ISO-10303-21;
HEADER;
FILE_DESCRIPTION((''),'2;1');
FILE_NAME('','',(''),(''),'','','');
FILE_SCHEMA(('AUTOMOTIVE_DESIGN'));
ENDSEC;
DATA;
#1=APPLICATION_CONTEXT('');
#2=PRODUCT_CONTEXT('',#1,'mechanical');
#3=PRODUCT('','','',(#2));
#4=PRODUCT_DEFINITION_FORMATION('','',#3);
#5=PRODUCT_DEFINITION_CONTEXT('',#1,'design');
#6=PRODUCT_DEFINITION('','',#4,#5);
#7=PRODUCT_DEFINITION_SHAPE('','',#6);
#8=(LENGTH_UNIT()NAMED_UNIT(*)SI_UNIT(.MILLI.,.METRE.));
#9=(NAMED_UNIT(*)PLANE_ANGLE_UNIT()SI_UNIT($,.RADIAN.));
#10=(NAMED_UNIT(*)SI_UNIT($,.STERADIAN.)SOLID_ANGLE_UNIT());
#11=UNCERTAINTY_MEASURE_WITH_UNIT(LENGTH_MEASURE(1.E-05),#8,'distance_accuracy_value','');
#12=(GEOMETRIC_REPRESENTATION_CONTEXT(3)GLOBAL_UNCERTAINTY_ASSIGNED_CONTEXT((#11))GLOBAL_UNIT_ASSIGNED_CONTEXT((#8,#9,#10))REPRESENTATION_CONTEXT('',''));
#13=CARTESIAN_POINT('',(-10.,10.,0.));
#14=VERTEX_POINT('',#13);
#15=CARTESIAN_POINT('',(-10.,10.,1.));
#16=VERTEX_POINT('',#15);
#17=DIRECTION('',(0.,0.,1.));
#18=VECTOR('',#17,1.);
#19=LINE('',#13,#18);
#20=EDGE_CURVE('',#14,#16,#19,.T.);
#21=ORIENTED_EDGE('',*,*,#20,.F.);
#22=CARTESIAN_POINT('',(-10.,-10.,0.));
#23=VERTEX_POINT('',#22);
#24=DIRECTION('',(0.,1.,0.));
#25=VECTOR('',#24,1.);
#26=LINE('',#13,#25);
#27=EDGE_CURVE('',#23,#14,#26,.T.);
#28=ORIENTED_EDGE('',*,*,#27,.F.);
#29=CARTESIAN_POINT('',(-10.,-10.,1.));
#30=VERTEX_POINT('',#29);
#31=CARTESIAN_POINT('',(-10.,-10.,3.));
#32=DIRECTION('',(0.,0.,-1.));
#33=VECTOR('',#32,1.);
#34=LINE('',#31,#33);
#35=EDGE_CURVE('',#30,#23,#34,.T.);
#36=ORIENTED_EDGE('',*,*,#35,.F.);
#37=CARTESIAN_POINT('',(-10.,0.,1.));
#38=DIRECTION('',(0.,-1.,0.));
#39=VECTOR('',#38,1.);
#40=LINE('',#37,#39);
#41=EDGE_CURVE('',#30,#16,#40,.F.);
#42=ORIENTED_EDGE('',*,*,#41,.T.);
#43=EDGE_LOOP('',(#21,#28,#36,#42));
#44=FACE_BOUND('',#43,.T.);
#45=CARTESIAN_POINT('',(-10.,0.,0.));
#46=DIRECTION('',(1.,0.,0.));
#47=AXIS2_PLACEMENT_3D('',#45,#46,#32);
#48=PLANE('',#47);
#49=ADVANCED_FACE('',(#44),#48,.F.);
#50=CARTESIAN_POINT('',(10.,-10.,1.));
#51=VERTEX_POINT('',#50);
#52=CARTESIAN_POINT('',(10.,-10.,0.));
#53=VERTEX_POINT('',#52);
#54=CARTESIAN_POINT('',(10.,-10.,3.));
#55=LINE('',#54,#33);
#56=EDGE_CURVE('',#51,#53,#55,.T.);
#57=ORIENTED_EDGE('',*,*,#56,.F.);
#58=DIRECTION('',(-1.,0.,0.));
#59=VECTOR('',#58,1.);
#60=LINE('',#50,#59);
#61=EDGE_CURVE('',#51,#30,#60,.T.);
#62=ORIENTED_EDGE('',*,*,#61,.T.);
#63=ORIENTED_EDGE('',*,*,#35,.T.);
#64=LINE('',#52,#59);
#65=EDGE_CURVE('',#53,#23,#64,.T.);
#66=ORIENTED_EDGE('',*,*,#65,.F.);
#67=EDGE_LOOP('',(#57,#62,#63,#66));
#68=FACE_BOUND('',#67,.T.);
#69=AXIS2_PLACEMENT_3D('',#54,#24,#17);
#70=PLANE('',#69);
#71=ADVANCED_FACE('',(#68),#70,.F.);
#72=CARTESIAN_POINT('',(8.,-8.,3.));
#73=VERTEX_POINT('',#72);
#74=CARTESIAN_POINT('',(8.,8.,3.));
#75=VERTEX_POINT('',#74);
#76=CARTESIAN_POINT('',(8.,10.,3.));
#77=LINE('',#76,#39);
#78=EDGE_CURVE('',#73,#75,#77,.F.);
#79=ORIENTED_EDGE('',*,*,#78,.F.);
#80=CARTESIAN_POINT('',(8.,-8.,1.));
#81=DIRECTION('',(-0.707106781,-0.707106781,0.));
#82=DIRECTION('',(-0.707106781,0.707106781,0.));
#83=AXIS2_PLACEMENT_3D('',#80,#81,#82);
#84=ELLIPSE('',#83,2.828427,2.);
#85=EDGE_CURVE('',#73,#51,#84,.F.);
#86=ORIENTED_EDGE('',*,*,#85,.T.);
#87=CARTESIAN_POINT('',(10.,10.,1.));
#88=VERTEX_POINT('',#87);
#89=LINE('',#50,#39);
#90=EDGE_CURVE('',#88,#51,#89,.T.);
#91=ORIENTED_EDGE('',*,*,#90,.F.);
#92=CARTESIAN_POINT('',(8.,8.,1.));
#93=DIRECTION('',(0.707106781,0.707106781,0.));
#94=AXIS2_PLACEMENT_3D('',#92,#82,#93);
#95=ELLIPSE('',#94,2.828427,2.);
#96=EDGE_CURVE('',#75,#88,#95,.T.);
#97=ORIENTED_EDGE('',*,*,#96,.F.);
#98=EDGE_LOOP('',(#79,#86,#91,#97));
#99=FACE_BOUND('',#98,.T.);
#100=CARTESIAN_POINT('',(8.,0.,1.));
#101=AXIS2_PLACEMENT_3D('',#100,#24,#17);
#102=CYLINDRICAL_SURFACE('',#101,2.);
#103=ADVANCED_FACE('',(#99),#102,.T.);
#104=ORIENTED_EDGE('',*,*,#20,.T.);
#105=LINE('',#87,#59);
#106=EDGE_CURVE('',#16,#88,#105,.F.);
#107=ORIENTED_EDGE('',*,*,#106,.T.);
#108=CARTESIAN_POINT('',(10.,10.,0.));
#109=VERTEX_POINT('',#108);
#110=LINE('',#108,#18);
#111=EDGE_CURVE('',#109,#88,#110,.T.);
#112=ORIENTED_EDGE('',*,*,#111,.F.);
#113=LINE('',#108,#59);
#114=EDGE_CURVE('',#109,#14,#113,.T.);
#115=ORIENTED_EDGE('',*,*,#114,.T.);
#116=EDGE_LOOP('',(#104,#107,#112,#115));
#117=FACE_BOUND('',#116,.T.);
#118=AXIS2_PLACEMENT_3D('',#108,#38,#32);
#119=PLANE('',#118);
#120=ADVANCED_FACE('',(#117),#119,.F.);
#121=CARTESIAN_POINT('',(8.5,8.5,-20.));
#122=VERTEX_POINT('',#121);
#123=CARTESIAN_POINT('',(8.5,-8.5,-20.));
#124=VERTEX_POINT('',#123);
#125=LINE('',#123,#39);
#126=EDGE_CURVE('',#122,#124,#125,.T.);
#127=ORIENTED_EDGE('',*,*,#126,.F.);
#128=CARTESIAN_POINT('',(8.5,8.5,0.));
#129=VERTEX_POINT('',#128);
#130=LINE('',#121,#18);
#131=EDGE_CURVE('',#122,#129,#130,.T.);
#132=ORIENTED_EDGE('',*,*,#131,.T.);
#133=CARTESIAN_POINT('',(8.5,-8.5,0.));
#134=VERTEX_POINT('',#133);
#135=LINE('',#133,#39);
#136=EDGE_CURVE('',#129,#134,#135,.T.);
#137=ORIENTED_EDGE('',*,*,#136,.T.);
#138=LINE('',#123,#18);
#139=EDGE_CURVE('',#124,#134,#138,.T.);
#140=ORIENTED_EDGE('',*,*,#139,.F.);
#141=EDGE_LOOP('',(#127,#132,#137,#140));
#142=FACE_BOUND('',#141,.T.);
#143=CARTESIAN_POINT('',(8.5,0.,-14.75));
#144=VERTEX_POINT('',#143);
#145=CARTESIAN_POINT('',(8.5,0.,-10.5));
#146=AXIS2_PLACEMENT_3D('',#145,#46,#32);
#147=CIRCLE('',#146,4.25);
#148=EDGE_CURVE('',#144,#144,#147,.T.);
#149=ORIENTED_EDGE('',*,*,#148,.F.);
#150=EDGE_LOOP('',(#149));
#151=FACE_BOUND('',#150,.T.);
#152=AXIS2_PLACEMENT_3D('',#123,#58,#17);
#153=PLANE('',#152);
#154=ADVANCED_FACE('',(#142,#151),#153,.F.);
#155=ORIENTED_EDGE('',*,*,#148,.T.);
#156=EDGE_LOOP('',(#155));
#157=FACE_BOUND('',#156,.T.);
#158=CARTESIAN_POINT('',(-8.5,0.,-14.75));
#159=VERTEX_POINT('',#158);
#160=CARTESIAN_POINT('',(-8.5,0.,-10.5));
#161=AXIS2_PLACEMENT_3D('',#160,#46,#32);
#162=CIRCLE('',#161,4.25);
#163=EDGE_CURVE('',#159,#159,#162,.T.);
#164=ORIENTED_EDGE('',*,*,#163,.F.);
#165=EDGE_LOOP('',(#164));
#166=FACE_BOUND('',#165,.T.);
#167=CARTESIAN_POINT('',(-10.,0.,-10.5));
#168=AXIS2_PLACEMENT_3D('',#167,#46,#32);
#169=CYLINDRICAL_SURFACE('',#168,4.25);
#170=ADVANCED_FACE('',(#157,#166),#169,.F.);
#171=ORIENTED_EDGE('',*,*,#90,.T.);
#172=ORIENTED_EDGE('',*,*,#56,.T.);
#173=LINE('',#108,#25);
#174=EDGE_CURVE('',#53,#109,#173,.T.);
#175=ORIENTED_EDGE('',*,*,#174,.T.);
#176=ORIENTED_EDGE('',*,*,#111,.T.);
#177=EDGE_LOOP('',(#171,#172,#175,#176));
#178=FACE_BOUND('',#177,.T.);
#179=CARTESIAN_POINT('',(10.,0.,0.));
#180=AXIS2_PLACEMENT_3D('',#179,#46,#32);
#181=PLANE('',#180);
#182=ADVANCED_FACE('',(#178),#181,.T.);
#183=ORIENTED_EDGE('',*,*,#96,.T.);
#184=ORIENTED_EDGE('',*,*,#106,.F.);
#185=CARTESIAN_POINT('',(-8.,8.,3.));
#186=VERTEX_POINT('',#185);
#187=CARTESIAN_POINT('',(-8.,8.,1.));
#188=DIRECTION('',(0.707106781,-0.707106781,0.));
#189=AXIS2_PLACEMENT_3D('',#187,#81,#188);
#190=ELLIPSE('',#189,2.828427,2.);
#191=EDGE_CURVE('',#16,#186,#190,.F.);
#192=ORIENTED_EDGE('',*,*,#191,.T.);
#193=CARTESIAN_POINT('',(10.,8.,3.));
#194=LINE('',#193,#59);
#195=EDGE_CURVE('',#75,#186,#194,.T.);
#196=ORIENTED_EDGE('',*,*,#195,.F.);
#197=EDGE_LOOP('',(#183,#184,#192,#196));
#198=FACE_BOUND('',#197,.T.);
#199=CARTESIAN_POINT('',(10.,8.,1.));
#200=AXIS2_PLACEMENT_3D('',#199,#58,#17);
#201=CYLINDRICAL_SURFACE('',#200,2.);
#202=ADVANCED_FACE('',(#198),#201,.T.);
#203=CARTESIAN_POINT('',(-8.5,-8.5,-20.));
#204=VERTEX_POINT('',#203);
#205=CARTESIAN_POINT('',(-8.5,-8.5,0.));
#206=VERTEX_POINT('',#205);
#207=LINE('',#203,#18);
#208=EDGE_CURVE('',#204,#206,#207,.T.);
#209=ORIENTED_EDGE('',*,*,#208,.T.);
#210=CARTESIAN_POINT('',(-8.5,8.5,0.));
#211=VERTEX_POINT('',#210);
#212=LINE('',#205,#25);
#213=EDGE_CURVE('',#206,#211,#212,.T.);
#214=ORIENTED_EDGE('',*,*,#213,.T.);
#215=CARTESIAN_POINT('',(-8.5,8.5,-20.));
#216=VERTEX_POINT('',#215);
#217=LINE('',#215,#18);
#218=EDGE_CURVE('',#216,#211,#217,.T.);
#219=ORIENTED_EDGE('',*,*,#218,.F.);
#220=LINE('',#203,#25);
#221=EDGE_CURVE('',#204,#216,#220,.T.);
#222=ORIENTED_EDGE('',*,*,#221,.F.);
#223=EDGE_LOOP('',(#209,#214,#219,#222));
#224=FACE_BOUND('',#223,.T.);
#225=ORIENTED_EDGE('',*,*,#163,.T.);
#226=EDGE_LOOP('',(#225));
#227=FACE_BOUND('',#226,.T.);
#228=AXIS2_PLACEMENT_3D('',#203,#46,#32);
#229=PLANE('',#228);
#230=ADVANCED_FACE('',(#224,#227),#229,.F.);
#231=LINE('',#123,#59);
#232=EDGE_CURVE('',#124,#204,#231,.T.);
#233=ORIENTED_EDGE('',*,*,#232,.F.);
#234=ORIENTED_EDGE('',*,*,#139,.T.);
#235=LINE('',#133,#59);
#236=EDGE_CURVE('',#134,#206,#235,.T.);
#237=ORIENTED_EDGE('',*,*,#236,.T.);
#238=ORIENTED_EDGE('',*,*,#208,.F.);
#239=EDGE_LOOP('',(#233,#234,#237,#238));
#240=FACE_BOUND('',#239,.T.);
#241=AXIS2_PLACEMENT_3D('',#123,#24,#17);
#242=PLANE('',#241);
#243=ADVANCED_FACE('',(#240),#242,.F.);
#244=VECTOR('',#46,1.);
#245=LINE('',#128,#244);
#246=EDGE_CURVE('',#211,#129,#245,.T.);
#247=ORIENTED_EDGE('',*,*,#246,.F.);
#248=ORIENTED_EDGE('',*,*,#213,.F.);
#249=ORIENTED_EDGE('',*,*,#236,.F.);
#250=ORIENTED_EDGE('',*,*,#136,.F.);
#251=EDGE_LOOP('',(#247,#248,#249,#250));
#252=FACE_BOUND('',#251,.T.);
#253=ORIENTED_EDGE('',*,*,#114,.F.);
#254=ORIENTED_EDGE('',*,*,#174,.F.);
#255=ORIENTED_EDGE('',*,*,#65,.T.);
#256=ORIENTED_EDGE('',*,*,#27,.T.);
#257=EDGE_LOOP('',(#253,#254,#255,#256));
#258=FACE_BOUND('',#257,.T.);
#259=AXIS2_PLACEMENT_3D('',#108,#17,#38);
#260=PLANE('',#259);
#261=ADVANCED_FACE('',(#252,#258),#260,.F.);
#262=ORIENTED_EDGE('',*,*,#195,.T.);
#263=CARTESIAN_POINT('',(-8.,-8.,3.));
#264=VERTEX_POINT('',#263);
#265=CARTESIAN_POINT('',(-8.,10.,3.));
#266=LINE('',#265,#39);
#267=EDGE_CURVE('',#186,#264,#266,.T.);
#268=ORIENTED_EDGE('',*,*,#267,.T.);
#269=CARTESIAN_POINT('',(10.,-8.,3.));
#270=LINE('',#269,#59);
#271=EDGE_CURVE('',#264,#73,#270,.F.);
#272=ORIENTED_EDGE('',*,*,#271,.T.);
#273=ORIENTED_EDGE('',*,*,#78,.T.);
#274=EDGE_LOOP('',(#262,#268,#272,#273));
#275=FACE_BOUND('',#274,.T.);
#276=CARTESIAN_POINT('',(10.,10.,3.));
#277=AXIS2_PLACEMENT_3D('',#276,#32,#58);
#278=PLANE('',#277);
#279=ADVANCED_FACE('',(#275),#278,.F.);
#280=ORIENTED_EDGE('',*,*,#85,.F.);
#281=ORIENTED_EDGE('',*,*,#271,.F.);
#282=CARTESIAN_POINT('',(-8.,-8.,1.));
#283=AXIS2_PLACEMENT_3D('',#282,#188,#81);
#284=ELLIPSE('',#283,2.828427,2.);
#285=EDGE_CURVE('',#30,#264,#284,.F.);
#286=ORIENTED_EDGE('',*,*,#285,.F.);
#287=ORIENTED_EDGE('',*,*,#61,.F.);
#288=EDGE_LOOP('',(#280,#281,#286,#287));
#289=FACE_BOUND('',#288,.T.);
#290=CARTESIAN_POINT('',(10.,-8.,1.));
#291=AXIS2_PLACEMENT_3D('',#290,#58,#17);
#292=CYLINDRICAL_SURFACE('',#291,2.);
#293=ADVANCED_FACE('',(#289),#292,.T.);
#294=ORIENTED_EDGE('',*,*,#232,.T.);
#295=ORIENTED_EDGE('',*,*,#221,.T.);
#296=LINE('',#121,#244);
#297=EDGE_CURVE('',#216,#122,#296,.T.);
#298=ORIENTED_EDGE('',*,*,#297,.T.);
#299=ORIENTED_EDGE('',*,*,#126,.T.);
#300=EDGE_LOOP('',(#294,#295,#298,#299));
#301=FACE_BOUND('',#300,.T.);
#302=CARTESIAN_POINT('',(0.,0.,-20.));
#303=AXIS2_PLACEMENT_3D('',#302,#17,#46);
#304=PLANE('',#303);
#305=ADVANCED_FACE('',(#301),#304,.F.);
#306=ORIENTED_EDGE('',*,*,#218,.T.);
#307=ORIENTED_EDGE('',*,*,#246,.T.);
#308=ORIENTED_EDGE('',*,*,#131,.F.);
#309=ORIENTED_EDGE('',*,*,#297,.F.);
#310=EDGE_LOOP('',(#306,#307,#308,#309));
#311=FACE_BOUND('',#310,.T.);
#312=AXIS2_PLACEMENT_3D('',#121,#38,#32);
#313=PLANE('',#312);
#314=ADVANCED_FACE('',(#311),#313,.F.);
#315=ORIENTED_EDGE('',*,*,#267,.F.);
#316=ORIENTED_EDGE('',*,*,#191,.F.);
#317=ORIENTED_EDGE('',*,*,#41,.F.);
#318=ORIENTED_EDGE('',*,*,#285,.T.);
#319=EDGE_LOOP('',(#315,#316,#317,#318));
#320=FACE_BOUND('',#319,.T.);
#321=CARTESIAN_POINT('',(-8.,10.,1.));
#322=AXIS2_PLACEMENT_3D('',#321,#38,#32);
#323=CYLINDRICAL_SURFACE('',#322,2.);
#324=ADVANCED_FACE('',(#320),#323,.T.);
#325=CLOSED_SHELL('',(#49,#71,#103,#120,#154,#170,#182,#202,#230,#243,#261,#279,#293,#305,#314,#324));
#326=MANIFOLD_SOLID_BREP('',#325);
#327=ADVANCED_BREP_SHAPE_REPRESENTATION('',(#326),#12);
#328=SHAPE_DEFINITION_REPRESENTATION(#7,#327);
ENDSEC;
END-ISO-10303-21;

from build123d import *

# Parameters (mm, degrees)
SKETCH1_W           = 3
SKETCH1_H           = 20
BOSS_EXTRUDE1_DEPTH = 10
SKETCH2_W           = 17
SKETCH2_H           = 17
BOSS_EXTRUDE2_DEPTH = 20
SKETCH3_R           = 4.25
CUT_EXTRUDE1_DEPTH  = 30.021543722
FILLET1_R           = 2


with BuildPart() as part:
    # Sketch1 → Boss-Extrude1 (new, symmetric)
    with BuildSketch(Plane(origin=(0, 0, 0), x_dir=(0, 0, -1), z_dir=(1, 0, 0))):
        with Locations((-1.5, 0)):
            Rectangle(SKETCH1_W, SKETCH1_H)
    extrude(amount=BOSS_EXTRUDE1_DEPTH, both=True)

    # Sketch2 → Boss-Extrude2 (add)
    with BuildSketch(Plane(origin=(0, 0, 0), x_dir=(-1, 0, 0), z_dir=(0, 0, -1))):
        Rectangle(SKETCH2_W, SKETCH2_H)
    extrude(amount=BOSS_EXTRUDE2_DEPTH)

    # Sketch3 → Cut-Extrude1 (cut, through all)
    with BuildSketch(Plane(origin=(8.5, 0, 0), x_dir=(0, 0, -1), z_dir=(1, 0, 0))):
        with Locations((10.5, 0)):
            Circle(SKETCH3_R)
    extrude(amount=-CUT_EXTRUDE1_DEPTH, mode=Mode.SUBTRACT)

    # Fillet1
    fillet1_edges = [part.edges().sort_by_distance(p)[0] for p in [
        (-10, 0, 3),
        (0, -10, 3),
        (0, 10, 3),
        (10, 0, 3),
    ]]
    fillet(fillet1_edges, radius=FILLET1_R)


solid = part.part
